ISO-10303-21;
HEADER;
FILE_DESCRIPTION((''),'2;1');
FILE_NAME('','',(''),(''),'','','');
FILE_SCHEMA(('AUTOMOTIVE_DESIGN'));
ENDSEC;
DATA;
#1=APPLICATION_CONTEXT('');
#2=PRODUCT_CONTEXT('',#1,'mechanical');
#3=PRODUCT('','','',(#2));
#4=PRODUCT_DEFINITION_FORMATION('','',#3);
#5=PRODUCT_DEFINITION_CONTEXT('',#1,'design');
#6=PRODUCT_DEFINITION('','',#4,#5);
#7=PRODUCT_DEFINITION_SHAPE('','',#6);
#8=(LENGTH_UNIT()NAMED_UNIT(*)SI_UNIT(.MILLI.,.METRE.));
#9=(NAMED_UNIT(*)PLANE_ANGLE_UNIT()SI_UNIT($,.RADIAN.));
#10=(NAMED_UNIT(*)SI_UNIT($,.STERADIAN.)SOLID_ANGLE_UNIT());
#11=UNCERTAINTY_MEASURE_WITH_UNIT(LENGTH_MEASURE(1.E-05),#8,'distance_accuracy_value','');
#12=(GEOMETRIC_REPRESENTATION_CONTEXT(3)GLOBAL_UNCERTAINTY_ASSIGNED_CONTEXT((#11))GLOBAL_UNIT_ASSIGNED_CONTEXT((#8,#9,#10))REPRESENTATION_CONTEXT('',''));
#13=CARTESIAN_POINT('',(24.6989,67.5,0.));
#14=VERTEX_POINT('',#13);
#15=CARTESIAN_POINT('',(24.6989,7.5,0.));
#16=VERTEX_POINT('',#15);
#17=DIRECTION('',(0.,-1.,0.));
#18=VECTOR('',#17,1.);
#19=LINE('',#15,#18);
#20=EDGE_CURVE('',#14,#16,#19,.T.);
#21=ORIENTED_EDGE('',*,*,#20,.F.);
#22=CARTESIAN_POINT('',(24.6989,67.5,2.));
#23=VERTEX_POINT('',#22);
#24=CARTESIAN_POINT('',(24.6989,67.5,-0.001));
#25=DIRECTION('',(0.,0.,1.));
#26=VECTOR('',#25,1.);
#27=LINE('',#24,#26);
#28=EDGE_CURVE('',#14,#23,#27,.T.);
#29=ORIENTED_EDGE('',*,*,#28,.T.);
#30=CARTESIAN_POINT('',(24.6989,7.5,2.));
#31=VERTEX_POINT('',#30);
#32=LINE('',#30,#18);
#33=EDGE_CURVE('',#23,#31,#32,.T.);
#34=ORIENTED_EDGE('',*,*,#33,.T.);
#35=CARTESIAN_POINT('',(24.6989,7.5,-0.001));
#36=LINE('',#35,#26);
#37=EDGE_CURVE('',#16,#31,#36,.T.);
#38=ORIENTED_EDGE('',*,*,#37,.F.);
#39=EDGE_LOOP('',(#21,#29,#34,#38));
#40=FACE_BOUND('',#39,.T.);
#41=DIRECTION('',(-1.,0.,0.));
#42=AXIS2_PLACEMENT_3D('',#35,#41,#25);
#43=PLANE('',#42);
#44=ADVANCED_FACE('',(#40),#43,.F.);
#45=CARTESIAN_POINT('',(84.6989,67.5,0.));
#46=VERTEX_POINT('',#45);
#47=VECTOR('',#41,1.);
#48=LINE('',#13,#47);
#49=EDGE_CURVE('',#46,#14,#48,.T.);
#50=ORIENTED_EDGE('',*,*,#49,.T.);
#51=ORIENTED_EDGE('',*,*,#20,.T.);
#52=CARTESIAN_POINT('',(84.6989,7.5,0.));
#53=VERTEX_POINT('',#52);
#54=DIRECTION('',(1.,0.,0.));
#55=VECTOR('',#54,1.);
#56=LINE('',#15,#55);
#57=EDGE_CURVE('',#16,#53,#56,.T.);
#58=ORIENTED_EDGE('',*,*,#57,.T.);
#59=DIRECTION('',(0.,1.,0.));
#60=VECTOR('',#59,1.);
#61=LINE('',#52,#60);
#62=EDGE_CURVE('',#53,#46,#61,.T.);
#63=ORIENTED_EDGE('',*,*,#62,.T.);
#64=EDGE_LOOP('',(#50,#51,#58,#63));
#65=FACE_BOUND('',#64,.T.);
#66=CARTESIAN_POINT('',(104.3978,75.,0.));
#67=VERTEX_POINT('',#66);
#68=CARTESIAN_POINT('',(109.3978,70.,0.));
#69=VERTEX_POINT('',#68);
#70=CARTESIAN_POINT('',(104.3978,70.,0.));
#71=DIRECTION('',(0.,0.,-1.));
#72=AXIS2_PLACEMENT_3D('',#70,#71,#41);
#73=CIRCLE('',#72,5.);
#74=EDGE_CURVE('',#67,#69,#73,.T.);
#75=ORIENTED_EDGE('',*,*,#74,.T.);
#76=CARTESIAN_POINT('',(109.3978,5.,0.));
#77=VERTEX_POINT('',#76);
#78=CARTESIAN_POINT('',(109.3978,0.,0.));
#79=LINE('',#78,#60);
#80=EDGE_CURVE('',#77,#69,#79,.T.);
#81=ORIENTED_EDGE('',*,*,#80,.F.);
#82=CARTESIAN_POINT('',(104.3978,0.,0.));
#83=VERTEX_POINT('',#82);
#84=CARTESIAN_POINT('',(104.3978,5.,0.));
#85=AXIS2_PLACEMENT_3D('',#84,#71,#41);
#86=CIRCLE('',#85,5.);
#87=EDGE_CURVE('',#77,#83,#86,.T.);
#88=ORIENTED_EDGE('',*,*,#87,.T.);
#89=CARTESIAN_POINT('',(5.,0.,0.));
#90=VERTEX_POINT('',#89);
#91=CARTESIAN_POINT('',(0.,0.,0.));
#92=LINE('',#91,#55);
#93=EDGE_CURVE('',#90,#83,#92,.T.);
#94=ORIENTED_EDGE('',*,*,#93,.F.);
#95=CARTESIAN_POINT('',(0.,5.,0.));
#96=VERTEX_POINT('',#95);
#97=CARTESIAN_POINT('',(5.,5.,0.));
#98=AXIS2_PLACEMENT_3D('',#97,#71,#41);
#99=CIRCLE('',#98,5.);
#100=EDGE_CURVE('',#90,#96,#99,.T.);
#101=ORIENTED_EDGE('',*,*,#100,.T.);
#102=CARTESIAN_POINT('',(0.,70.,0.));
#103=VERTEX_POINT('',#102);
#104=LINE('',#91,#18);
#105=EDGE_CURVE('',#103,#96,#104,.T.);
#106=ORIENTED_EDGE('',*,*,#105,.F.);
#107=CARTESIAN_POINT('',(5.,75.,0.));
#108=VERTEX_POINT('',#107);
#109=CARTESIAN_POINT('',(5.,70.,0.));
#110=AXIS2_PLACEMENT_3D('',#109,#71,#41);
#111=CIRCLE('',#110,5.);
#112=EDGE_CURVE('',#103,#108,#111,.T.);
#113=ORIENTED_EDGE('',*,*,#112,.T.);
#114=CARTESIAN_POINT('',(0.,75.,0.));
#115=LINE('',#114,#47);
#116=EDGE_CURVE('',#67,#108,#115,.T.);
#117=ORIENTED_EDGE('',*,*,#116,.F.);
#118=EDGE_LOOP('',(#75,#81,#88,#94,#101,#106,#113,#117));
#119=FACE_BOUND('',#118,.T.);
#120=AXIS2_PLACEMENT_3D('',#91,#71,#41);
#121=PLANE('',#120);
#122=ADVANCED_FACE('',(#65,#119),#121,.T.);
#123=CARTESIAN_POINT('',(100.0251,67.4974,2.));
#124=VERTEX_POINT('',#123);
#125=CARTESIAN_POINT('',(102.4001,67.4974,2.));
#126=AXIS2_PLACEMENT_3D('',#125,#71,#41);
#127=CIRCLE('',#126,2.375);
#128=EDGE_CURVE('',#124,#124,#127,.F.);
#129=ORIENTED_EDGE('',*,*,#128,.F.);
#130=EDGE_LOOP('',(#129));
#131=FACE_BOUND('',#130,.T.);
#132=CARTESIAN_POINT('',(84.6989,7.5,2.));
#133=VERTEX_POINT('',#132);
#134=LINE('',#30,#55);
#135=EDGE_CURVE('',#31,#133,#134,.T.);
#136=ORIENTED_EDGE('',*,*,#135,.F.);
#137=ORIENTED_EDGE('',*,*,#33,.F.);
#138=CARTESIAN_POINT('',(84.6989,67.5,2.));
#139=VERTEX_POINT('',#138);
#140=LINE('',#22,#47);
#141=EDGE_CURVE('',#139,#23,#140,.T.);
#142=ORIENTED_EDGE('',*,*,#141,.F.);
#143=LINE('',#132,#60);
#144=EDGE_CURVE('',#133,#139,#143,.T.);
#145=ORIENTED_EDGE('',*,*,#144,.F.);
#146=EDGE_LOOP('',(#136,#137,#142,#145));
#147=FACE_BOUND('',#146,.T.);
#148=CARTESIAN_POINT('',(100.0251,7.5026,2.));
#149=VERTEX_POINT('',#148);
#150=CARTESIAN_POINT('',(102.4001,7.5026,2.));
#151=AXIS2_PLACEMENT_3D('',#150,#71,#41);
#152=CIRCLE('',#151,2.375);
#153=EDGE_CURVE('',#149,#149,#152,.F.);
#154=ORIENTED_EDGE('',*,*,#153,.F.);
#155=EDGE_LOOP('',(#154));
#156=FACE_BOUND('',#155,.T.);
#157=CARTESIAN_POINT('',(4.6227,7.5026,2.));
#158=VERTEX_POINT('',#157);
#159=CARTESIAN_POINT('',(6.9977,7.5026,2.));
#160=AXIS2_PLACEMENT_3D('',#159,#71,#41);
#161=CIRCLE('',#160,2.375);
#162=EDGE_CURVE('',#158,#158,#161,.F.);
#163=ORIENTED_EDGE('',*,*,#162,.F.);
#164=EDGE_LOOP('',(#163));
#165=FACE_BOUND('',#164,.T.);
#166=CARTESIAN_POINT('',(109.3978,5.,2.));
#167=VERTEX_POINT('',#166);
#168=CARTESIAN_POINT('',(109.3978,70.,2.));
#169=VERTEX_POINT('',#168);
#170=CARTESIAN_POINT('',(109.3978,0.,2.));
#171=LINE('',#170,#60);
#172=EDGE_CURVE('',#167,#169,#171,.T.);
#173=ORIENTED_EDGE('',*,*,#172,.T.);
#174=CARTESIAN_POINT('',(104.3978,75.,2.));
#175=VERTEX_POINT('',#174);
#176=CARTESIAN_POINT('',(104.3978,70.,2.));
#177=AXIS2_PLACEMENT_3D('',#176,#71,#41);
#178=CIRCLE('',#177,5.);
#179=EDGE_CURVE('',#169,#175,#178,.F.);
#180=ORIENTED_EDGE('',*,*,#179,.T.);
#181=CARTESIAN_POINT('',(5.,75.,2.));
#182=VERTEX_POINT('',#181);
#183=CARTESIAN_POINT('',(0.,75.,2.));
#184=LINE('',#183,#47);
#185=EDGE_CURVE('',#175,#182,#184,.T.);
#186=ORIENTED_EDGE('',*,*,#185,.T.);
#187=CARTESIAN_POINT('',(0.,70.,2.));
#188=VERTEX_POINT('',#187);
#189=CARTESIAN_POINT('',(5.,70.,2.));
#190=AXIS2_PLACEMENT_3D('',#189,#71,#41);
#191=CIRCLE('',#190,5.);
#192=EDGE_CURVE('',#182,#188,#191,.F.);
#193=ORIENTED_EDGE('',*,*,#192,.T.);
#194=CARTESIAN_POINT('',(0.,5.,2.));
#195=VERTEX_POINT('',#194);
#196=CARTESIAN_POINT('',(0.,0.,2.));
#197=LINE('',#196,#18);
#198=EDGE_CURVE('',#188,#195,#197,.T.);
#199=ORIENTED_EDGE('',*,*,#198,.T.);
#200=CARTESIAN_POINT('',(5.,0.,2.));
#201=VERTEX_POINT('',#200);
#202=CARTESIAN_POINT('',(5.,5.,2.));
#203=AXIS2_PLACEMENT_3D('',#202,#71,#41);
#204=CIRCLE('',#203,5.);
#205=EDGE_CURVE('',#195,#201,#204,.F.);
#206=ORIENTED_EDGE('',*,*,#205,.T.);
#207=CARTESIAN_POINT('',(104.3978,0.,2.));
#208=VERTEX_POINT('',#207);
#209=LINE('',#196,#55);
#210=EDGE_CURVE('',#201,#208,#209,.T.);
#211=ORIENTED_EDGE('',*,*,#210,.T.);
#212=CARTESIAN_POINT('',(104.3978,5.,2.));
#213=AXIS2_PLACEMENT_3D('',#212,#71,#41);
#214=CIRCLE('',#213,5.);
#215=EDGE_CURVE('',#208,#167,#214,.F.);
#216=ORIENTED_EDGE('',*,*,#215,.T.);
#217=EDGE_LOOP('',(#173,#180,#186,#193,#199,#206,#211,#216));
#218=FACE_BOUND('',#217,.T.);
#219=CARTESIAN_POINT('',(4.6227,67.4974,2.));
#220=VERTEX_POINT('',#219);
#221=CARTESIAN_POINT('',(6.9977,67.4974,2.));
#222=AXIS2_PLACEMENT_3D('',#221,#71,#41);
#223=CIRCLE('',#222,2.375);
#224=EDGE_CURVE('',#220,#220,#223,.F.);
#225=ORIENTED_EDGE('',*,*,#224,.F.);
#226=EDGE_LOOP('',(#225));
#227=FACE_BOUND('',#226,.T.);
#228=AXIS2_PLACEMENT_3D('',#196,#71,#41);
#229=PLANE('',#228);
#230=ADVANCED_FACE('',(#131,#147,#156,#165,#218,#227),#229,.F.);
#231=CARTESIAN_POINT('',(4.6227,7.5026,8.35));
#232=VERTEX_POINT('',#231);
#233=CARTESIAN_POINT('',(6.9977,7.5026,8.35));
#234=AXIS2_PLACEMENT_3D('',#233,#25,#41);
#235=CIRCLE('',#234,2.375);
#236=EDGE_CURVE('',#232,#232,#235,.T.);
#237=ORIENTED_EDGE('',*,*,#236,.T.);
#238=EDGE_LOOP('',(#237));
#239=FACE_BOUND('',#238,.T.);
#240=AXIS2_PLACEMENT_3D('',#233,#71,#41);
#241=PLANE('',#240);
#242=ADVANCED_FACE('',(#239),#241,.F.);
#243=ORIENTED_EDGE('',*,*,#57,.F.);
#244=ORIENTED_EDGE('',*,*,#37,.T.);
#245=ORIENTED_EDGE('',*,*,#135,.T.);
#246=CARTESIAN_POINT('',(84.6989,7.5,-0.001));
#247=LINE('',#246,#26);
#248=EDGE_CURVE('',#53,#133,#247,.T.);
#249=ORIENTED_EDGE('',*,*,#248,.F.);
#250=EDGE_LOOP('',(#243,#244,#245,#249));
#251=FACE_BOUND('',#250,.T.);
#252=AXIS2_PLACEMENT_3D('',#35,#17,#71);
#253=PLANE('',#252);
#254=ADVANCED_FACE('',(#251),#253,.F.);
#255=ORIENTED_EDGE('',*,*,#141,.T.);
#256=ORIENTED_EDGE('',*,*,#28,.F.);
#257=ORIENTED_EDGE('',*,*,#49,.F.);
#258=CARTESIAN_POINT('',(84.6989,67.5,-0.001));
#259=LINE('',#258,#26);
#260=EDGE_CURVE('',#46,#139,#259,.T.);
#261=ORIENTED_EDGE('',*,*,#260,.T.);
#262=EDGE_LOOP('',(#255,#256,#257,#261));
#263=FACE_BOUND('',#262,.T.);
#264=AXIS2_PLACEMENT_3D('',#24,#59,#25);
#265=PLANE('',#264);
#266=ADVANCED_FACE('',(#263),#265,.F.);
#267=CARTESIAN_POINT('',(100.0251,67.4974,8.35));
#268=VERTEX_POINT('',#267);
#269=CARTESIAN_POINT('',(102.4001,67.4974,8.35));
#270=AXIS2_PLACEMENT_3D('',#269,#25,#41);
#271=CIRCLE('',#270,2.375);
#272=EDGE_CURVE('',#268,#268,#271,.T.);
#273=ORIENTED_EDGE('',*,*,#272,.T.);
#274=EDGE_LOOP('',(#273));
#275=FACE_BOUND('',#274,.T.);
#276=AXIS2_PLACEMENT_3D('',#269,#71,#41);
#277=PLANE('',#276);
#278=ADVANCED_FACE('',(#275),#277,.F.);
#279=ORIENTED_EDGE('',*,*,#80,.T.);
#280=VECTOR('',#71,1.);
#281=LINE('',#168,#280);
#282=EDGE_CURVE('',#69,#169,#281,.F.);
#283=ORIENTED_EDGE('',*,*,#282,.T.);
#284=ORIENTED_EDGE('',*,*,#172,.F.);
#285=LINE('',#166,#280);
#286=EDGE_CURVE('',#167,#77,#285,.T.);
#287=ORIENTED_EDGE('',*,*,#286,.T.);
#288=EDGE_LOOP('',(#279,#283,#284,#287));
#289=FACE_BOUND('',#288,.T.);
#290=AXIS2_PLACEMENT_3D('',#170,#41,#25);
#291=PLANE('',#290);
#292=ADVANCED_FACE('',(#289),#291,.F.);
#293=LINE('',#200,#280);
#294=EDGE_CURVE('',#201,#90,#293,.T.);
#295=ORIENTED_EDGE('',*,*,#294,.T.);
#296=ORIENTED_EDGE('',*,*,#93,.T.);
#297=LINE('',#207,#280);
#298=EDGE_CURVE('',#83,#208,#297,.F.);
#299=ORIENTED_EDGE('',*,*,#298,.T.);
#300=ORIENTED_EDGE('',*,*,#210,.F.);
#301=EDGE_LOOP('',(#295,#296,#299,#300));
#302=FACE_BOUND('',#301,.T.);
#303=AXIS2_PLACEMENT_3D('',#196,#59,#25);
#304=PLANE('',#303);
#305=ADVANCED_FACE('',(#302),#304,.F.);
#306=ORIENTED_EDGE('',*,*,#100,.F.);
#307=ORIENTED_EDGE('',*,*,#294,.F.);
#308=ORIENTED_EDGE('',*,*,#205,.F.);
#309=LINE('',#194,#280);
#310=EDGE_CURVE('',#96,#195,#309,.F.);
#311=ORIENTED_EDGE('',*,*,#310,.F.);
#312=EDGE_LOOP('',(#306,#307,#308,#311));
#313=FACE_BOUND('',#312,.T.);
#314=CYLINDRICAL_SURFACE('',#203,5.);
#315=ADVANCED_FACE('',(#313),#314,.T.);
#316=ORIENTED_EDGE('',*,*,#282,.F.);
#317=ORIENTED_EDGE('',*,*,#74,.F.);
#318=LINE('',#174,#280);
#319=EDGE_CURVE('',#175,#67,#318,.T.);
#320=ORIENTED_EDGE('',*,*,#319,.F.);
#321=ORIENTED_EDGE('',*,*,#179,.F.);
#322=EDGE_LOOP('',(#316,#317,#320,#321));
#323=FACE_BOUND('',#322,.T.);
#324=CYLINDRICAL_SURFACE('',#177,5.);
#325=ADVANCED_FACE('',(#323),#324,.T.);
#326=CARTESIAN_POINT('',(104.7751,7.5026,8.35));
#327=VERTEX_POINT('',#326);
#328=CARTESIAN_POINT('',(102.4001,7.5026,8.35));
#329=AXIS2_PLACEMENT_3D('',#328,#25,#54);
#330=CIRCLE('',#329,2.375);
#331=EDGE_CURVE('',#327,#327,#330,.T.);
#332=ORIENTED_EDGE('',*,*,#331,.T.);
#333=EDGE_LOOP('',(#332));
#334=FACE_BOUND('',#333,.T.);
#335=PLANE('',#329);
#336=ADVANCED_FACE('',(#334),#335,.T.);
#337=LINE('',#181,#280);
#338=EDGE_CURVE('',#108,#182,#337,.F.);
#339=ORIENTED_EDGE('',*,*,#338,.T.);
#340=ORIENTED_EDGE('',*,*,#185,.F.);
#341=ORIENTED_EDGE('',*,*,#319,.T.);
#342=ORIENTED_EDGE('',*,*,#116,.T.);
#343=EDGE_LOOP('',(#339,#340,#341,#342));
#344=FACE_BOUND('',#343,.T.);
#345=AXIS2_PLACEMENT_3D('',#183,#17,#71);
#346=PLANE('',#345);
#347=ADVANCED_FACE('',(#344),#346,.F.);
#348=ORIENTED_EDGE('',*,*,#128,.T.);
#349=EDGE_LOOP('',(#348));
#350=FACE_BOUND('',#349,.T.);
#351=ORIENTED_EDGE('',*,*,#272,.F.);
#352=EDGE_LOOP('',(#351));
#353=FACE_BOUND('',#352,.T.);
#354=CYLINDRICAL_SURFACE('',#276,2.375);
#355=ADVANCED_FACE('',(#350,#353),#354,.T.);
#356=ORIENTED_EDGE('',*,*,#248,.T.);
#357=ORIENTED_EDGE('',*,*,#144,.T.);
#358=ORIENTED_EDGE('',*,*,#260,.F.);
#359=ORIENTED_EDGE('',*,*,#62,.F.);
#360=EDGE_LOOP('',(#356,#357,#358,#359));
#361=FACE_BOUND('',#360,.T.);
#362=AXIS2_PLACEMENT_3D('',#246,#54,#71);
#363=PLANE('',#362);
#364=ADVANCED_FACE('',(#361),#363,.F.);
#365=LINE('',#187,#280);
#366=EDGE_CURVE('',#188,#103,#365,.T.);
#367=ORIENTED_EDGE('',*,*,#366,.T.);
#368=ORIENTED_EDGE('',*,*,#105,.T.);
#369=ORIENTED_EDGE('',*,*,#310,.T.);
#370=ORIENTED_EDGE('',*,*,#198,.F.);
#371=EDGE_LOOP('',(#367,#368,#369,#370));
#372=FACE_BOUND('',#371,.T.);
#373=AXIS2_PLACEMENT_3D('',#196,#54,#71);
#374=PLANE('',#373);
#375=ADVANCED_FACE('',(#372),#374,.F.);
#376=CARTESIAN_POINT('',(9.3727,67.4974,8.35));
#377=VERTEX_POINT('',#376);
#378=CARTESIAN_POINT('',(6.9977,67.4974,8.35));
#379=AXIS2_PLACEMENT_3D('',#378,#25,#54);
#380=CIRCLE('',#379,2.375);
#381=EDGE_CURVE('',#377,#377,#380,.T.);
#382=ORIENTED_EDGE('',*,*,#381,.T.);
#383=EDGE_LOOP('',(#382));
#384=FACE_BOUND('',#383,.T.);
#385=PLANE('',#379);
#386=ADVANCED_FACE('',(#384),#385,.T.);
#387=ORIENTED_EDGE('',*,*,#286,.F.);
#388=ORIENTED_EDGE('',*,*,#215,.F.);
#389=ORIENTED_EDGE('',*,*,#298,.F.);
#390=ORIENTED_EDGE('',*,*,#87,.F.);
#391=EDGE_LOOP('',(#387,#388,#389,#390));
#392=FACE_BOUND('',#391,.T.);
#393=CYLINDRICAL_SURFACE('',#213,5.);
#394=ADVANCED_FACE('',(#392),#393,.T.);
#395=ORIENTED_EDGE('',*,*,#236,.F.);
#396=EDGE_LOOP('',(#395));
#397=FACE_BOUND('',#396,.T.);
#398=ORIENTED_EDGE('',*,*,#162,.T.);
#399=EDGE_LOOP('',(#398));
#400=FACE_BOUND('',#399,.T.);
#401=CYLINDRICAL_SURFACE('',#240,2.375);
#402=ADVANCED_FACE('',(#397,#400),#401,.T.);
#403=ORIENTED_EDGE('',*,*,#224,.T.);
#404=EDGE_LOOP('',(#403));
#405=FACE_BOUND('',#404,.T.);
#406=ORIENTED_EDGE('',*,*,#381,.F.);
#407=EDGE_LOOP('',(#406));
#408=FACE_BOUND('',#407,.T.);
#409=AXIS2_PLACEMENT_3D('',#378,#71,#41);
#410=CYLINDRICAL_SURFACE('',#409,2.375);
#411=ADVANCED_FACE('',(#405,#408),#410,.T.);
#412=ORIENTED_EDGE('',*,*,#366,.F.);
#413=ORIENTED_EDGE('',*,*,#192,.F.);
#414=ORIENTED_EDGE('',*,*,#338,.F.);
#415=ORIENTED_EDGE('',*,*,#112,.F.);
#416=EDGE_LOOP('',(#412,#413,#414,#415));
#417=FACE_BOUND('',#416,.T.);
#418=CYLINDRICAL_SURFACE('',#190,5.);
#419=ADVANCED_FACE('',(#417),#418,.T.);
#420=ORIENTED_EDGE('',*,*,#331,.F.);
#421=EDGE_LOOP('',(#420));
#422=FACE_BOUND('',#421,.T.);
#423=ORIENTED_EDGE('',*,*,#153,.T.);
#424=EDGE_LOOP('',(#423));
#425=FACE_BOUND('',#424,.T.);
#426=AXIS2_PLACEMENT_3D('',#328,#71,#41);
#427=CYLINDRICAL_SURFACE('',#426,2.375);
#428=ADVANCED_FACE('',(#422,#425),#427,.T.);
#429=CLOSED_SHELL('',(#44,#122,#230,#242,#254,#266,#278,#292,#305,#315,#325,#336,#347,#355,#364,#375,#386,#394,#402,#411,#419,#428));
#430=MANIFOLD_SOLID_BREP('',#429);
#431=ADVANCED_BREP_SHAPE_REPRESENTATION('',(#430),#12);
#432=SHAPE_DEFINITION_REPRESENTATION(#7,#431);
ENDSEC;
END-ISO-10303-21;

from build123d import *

# Parameters (mm, degrees)
SKETCH1_W           = 109.3978
SKETCH1_H           = 75
BOSS_EXTRUDE1_DEPTH = 2
SKETCH2_R           = 2.375
BOSS_EXTRUDE2_DEPTH = 6.35
CUT_EXTRUDE1_REACH  = 4
SKETCH3_W           = 60
SKETCH3_H           = 60
FILLET1_R           = 5


with BuildPart() as part:
    # Sketch1 → Boss-Extrude1 (new body)
    with BuildSketch(Plane.XY):
        with Locations((54.6989, 37.5)):
            Rectangle(SKETCH1_W, SKETCH1_H)
    extrude(amount=BOSS_EXTRUDE1_DEPTH)

    # Sketch2 → Boss-Extrude2 (add)
    with BuildSketch(Plane.XY.offset(2)):
        with Locations((6.9977, 67.4974)):
            Circle(SKETCH2_R)
        with Locations((102.4001, 67.4974)):
            Circle(SKETCH2_R)
        with Locations((102.4001, 7.5026)):
            Circle(SKETCH2_R)
        with Locations((6.9977, 7.5026)):
            Circle(SKETCH2_R)
    extrude(amount=BOSS_EXTRUDE2_DEPTH)

    # Sketch3 → Cut-Extrude1 (cut, up to next)
    with BuildSketch(Plane.XY.offset(2), mode=Mode.PRIVATE) as cut_extrude1_sk1:
        with Locations((54.6989, 37.5)):
            Rectangle(SKETCH3_W, SKETCH3_H)
    cut_extrude1_tool1 = extrude(cut_extrude1_sk1.sketch, amount=-CUT_EXTRUDE1_REACH, mode=Mode.PRIVATE) & part.part
    add(cut_extrude1_tool1.solids().sort_by_distance((54.6989, 37.5, 2))[0], mode=Mode.SUBTRACT)

    # Fillet1
    fillet1_edges = [part.edges().sort_by_distance(p)[0] for p in [
        (0, 75, 1),
        (109.3978, 75, 1),
        (109.3978, 0, 1),
        (0, 0, 1),
    ]]
    fillet(fillet1_edges, radius=FILLET1_R)


solid = part.part
